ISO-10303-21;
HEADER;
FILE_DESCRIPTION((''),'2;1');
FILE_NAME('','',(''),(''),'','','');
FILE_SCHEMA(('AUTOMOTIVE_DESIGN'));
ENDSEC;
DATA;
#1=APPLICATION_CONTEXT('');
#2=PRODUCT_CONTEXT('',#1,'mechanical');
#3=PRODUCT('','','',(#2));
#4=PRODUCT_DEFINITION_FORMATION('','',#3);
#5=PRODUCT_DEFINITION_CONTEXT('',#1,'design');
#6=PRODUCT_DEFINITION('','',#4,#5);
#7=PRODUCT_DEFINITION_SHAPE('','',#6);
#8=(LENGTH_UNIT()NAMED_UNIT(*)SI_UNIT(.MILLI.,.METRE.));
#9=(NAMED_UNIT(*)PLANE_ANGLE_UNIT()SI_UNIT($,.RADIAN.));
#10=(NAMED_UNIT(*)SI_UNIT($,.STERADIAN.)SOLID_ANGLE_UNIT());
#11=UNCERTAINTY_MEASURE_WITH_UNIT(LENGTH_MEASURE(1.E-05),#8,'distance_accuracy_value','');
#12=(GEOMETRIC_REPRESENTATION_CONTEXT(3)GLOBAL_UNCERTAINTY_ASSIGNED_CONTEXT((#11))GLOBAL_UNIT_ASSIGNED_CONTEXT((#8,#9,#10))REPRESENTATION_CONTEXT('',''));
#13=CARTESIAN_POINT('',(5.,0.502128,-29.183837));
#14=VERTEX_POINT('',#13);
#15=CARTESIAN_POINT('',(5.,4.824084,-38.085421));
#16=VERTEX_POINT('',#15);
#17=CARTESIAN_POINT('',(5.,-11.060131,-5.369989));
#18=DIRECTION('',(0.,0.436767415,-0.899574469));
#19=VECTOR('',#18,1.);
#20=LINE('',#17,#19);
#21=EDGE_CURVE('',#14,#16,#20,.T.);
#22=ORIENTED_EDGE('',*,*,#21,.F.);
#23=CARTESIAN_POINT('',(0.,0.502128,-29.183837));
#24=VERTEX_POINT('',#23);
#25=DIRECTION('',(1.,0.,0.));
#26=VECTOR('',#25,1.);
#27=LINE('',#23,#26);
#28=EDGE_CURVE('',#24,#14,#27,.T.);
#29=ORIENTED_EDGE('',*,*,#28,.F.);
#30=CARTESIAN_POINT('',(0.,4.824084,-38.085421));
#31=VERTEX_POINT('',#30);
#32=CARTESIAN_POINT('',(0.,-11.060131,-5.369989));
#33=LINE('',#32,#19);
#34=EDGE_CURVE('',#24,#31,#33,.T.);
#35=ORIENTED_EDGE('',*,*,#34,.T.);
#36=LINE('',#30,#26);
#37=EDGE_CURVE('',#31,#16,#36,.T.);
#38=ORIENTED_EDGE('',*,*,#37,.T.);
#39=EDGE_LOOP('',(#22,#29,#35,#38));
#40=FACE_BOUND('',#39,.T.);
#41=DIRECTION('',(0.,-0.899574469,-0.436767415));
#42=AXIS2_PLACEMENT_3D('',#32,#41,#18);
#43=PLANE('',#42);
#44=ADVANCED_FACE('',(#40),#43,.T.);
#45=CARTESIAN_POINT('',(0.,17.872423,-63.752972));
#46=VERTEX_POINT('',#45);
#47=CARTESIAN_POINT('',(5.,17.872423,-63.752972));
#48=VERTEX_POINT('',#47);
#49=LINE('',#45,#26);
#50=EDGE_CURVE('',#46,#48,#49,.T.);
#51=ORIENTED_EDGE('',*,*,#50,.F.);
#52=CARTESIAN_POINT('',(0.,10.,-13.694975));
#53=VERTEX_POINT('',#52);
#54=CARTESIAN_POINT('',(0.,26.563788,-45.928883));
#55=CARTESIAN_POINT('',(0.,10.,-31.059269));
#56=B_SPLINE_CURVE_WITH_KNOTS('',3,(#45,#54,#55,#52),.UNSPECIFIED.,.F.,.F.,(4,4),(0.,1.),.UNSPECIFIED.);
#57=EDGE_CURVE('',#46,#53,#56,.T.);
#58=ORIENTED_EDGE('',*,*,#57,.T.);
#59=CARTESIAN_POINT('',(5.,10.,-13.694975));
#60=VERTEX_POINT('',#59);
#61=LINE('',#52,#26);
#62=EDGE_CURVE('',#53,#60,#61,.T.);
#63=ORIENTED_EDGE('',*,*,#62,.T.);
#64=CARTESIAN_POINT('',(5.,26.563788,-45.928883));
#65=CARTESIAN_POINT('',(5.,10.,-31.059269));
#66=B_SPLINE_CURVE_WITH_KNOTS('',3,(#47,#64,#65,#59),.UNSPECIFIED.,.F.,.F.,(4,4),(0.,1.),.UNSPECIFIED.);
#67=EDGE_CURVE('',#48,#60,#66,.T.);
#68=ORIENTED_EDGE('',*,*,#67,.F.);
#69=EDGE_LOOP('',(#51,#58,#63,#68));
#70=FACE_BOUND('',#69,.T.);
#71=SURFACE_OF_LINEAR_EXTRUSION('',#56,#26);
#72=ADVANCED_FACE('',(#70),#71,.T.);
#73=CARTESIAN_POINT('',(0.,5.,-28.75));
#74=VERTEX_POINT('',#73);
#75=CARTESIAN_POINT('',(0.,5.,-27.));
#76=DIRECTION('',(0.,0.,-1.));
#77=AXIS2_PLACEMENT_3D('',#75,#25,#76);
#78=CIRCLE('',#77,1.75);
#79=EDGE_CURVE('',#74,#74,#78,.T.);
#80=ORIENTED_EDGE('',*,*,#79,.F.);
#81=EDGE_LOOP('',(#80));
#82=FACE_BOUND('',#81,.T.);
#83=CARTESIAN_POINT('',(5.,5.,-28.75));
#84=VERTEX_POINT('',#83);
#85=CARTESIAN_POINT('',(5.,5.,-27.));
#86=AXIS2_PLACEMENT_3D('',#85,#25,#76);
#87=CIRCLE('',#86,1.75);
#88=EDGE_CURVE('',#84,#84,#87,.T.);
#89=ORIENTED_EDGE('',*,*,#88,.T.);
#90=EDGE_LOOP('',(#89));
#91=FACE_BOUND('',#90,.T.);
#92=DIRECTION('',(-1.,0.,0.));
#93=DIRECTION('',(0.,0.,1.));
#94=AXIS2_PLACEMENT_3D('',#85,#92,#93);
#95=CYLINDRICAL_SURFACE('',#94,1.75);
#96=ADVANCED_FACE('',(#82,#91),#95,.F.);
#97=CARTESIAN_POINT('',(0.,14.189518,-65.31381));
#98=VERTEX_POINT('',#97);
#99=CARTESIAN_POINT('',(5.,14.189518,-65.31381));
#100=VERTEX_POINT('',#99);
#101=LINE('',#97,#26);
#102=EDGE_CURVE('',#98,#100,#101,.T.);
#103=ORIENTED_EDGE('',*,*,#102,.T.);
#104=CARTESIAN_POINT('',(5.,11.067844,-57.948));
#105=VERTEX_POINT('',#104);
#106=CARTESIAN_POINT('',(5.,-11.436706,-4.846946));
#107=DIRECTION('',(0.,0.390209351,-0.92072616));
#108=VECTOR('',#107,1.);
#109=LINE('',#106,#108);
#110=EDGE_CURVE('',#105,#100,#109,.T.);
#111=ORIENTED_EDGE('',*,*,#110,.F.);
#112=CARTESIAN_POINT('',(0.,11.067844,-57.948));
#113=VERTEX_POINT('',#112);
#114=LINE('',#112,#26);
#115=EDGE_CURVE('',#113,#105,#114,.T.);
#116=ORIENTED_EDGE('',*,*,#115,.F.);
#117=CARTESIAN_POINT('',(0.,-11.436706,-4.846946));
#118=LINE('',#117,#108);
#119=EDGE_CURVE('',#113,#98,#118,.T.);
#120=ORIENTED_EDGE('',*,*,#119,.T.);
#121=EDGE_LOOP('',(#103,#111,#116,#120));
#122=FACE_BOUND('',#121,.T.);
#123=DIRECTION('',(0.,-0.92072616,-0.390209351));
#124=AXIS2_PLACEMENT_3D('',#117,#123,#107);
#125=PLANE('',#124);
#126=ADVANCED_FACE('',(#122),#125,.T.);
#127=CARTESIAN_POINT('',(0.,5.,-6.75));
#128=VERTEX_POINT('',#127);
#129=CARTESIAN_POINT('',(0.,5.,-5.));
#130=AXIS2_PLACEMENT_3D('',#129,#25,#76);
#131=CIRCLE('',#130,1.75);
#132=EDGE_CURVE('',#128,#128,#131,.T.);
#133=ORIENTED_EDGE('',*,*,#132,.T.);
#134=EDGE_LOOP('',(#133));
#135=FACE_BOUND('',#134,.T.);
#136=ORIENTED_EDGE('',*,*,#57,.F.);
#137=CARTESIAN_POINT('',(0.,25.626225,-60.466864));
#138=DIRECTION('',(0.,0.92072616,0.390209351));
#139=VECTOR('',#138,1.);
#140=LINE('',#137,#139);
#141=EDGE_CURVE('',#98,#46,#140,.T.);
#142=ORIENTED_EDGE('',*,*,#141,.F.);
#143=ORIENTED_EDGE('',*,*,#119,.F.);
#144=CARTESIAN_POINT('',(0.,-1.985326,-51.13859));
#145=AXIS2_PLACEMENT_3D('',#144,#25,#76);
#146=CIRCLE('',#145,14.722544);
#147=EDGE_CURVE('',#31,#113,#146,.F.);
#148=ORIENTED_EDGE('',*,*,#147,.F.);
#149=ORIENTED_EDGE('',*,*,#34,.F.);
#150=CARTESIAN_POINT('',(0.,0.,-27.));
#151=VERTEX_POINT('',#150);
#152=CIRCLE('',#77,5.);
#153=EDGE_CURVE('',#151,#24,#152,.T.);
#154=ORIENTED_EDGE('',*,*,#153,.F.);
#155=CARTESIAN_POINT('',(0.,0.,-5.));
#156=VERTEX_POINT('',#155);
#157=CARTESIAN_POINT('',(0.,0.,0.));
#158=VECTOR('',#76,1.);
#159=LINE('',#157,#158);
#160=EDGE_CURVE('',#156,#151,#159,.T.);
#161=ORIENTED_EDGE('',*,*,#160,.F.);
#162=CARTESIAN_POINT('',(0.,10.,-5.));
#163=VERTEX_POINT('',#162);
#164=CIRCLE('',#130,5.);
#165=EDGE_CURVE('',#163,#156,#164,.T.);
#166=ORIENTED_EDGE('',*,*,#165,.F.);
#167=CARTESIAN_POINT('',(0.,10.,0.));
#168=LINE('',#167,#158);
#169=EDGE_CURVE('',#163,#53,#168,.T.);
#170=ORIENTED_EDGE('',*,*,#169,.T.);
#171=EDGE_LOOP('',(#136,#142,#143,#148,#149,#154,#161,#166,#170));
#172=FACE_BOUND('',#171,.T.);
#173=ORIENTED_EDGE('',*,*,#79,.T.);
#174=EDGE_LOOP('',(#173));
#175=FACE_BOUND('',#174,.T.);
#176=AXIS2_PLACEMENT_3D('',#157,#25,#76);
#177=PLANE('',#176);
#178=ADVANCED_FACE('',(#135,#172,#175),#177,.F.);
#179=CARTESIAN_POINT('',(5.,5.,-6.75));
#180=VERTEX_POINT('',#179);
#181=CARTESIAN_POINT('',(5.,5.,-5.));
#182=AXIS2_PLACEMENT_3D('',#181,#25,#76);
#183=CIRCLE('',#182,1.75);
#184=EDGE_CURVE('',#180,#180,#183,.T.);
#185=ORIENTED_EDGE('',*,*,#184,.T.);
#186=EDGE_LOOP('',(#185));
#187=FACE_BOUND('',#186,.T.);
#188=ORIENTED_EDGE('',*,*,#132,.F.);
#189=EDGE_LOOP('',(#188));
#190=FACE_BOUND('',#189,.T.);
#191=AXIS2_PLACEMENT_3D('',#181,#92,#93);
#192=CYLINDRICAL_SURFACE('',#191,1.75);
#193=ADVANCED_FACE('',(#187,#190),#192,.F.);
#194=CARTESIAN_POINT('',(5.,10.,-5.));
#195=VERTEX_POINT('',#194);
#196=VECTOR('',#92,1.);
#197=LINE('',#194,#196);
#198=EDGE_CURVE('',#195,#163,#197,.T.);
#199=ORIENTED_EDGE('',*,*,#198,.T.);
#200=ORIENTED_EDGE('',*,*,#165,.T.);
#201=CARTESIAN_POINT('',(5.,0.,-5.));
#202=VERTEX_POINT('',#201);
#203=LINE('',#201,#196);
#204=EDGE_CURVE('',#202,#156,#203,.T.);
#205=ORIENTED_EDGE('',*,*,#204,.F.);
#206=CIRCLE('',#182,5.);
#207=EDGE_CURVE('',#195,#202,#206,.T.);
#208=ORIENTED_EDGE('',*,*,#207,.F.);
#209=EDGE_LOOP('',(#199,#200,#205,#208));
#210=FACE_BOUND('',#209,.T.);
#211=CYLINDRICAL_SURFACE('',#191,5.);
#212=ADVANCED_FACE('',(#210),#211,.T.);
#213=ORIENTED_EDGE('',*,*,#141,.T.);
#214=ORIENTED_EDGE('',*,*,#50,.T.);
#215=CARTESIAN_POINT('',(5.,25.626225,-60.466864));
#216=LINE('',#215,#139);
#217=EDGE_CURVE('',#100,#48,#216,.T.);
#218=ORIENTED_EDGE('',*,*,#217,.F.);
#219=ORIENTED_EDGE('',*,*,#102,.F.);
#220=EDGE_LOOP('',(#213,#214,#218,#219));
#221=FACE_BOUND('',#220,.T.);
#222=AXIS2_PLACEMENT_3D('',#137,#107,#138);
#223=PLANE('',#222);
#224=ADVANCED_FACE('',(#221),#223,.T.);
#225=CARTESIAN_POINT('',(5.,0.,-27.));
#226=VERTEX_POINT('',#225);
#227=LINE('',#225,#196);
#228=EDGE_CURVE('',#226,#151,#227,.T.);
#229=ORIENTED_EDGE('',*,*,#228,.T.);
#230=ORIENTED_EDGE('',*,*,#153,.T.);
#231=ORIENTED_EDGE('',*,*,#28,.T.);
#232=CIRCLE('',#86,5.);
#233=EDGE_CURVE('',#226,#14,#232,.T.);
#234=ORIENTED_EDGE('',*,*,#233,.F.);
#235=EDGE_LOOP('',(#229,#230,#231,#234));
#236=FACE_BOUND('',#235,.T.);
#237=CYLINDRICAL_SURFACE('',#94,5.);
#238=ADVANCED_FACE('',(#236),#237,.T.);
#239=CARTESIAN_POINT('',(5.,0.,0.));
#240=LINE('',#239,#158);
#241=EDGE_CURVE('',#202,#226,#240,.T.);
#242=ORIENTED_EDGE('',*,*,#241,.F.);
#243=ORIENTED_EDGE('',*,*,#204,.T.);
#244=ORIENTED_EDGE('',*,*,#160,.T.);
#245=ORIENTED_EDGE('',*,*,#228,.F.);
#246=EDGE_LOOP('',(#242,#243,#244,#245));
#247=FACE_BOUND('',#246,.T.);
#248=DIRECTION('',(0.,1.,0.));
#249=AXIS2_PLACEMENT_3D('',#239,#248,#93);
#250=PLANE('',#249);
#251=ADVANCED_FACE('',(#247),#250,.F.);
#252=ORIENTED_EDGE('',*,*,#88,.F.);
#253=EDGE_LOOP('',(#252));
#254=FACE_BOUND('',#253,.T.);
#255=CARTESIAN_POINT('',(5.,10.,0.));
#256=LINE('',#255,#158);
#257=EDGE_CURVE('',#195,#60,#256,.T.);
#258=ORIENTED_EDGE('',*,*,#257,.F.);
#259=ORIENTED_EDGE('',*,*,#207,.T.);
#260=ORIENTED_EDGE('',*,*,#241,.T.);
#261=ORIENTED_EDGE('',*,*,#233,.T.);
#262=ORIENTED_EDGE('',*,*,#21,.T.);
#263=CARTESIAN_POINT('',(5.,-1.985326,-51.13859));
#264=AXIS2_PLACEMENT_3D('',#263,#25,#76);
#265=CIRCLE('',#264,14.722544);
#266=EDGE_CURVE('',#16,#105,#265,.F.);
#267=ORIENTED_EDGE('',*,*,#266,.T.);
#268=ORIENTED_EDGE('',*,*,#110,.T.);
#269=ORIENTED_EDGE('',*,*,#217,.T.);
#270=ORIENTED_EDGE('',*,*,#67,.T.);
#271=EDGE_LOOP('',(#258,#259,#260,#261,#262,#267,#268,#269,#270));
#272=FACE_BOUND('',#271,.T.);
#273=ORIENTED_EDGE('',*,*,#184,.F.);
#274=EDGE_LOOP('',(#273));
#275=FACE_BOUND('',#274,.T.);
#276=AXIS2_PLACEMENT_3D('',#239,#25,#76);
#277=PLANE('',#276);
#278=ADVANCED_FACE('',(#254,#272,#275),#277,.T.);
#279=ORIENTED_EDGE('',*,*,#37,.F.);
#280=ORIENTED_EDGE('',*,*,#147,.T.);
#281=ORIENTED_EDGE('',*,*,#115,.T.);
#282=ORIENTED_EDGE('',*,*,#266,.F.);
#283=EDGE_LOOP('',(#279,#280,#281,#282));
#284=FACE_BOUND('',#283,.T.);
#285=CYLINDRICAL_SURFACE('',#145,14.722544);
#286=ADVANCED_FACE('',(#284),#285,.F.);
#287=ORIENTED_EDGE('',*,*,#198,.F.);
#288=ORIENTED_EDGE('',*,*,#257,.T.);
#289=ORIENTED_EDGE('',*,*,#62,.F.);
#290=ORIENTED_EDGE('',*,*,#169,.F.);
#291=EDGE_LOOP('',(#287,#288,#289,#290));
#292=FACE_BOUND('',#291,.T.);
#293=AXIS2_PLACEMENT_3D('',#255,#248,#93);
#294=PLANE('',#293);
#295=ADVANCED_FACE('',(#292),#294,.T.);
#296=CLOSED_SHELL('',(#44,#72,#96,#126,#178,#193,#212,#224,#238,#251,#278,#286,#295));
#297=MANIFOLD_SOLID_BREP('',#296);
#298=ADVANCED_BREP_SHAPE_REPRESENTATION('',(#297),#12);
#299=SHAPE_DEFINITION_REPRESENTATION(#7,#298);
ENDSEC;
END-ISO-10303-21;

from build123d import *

# Parameters (mm, degrees)
SKETCH1_R           = 1.75
BOSS_EXTRUDE1_DEPTH = 5
BOSS_EXTRUDE2_START = -5
BOSS_EXTRUDE2_DEPTH = 5


with BuildPart() as part:
    # Sketch1 → Boss-Extrude1 (new body)
    with BuildSketch(Plane(origin=(0, 0, 0), x_dir=(0, 0, -1), z_dir=(1, 0, 0))):
        with BuildLine():
            Line((27, 10), (5, 10))
            ThreePointArc((5, 10), (0, 5), (5, 0))
            Line((5, 0), (27, 0))
            ThreePointArc((27, 0), (32, 5), (27, 10))
        make_face()
        with Locations((5, 5)):
            Circle(SKETCH1_R, mode=Mode.SUBTRACT)
        with Locations((27, 5)):
            Circle(SKETCH1_R, mode=Mode.SUBTRACT)
    extrude(amount=BOSS_EXTRUDE1_DEPTH)

    # Sketch2 → Boss-Extrude2 (add)
    with BuildSketch(Plane(origin=(5, 0, 0), x_dir=(0, 0, -1), z_dir=(1, 0, 0)).offset(BOSS_EXTRUDE2_START)):
        with BuildLine():
            add(Edge.make_bspline(
                [(63.752972286, 17.872423117), (45.928882678, 26.563787963), (31.059268621, 10), (13.694974759, 10)],
                knots=[0, 0, 0, 0, 1, 1, 1, 1], degree=3))
            Line((13.694974759, 10), (27, 10))
            ThreePointArc((27, 10), (31.87285141, 6.120410255), (29.183837075, 0.502127655))
            Line((29.183837075, 0.502127655), (38.08542066, 4.824084077))
            ThreePointArc((38.08542066, 4.824084077), (46.723585583, 12.05963883), (57.948000409, 11.067843667))
            Line((57.948000409, 11.067843667), (65.313809691, 14.189518476))
            Line((65.313809691, 14.189518476), (63.752972286, 17.872423117))
        make_face()
    extrude(amount=BOSS_EXTRUDE2_DEPTH)


solid = part.part
